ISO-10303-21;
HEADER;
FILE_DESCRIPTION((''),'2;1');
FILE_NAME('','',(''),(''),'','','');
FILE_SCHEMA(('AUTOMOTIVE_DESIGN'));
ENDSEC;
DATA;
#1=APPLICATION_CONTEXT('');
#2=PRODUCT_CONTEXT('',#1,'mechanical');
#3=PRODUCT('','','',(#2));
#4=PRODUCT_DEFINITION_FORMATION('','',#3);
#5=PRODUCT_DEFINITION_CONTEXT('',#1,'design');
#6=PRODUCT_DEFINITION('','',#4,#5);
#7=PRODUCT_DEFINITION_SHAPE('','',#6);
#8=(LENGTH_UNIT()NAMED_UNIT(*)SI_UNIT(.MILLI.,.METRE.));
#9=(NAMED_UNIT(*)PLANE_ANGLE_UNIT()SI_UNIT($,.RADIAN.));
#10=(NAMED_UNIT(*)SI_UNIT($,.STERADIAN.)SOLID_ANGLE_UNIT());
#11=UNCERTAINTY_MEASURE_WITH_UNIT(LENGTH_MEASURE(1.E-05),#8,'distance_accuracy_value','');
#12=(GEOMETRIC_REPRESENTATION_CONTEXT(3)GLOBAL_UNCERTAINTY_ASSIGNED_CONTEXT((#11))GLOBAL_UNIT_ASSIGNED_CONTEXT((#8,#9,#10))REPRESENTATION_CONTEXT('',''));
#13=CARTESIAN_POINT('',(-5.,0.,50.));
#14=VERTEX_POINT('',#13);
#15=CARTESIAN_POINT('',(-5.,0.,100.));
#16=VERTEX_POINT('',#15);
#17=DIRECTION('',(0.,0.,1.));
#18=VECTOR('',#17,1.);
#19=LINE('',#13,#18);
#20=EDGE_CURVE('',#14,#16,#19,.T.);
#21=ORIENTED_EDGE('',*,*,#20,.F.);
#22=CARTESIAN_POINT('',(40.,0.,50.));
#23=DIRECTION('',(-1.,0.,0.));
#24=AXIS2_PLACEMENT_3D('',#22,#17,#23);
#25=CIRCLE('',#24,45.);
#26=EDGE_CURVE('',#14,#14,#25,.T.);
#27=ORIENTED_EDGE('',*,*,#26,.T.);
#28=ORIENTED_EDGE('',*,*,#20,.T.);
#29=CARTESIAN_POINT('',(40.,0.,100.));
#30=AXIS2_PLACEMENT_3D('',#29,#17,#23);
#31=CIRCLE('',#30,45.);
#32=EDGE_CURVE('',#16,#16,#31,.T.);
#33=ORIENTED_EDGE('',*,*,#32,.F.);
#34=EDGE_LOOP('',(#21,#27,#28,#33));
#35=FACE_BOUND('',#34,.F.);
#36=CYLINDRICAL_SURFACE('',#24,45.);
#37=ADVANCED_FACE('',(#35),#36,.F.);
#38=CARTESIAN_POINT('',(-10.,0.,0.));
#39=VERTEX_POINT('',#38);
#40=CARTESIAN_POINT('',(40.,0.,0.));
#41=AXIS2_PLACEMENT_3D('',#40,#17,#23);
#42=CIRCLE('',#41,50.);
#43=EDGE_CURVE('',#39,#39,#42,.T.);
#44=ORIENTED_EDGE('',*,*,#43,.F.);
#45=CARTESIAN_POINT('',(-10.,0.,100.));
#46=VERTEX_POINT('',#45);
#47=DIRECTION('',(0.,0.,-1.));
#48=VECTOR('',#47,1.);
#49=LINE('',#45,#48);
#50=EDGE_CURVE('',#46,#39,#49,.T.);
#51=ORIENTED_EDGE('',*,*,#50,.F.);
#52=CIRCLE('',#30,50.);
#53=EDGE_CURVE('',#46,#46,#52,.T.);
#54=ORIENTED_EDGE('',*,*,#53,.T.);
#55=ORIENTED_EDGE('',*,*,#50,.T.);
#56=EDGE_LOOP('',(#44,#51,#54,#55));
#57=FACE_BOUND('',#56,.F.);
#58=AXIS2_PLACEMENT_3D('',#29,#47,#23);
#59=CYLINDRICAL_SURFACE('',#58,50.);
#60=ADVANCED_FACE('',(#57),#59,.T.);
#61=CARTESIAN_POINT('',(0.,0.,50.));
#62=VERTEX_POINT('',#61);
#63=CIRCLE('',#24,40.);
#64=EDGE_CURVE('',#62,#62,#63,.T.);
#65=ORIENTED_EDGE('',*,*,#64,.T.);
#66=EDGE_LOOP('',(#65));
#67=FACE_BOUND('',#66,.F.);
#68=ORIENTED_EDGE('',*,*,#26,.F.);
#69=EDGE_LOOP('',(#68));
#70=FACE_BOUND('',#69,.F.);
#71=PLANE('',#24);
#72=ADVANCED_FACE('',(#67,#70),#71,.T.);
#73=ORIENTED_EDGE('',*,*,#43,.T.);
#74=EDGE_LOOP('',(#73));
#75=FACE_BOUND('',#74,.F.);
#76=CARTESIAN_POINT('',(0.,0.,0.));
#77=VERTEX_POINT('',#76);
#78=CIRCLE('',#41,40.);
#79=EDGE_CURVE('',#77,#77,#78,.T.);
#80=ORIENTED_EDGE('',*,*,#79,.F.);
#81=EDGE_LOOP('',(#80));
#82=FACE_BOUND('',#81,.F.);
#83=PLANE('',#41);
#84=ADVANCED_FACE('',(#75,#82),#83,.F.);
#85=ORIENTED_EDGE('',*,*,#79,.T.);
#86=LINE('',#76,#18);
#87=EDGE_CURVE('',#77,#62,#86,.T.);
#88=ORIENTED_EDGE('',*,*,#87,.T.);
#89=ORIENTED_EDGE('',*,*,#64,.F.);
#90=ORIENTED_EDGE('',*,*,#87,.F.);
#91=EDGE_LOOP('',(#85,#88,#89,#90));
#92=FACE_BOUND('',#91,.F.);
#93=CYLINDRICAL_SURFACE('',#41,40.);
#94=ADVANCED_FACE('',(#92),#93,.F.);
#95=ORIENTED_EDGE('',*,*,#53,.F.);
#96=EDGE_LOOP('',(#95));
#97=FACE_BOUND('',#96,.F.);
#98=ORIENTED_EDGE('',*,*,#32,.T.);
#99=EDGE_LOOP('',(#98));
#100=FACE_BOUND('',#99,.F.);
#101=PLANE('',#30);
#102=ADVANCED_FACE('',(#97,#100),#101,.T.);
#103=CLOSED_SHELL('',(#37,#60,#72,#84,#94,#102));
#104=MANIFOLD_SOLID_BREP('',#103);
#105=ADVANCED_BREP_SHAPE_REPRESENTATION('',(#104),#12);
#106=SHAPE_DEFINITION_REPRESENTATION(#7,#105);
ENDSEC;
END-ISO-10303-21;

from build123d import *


with BuildPart() as f1:
    # F0 (on Front) → F1 (revolve)
    with BuildSketch(Plane.XZ):
        Polygon((-5, 0), (0, 0), (0, 5), (0, 50), (-5, 50), align=None)
        Polygon((-10, 0), (-5, 0), (-5, 50), (-5, 100), (-10, 100), align=None)
    revolve(axis=Axis((40, 0, 2.5), (0, 0, 1)))


solid = f1.part
